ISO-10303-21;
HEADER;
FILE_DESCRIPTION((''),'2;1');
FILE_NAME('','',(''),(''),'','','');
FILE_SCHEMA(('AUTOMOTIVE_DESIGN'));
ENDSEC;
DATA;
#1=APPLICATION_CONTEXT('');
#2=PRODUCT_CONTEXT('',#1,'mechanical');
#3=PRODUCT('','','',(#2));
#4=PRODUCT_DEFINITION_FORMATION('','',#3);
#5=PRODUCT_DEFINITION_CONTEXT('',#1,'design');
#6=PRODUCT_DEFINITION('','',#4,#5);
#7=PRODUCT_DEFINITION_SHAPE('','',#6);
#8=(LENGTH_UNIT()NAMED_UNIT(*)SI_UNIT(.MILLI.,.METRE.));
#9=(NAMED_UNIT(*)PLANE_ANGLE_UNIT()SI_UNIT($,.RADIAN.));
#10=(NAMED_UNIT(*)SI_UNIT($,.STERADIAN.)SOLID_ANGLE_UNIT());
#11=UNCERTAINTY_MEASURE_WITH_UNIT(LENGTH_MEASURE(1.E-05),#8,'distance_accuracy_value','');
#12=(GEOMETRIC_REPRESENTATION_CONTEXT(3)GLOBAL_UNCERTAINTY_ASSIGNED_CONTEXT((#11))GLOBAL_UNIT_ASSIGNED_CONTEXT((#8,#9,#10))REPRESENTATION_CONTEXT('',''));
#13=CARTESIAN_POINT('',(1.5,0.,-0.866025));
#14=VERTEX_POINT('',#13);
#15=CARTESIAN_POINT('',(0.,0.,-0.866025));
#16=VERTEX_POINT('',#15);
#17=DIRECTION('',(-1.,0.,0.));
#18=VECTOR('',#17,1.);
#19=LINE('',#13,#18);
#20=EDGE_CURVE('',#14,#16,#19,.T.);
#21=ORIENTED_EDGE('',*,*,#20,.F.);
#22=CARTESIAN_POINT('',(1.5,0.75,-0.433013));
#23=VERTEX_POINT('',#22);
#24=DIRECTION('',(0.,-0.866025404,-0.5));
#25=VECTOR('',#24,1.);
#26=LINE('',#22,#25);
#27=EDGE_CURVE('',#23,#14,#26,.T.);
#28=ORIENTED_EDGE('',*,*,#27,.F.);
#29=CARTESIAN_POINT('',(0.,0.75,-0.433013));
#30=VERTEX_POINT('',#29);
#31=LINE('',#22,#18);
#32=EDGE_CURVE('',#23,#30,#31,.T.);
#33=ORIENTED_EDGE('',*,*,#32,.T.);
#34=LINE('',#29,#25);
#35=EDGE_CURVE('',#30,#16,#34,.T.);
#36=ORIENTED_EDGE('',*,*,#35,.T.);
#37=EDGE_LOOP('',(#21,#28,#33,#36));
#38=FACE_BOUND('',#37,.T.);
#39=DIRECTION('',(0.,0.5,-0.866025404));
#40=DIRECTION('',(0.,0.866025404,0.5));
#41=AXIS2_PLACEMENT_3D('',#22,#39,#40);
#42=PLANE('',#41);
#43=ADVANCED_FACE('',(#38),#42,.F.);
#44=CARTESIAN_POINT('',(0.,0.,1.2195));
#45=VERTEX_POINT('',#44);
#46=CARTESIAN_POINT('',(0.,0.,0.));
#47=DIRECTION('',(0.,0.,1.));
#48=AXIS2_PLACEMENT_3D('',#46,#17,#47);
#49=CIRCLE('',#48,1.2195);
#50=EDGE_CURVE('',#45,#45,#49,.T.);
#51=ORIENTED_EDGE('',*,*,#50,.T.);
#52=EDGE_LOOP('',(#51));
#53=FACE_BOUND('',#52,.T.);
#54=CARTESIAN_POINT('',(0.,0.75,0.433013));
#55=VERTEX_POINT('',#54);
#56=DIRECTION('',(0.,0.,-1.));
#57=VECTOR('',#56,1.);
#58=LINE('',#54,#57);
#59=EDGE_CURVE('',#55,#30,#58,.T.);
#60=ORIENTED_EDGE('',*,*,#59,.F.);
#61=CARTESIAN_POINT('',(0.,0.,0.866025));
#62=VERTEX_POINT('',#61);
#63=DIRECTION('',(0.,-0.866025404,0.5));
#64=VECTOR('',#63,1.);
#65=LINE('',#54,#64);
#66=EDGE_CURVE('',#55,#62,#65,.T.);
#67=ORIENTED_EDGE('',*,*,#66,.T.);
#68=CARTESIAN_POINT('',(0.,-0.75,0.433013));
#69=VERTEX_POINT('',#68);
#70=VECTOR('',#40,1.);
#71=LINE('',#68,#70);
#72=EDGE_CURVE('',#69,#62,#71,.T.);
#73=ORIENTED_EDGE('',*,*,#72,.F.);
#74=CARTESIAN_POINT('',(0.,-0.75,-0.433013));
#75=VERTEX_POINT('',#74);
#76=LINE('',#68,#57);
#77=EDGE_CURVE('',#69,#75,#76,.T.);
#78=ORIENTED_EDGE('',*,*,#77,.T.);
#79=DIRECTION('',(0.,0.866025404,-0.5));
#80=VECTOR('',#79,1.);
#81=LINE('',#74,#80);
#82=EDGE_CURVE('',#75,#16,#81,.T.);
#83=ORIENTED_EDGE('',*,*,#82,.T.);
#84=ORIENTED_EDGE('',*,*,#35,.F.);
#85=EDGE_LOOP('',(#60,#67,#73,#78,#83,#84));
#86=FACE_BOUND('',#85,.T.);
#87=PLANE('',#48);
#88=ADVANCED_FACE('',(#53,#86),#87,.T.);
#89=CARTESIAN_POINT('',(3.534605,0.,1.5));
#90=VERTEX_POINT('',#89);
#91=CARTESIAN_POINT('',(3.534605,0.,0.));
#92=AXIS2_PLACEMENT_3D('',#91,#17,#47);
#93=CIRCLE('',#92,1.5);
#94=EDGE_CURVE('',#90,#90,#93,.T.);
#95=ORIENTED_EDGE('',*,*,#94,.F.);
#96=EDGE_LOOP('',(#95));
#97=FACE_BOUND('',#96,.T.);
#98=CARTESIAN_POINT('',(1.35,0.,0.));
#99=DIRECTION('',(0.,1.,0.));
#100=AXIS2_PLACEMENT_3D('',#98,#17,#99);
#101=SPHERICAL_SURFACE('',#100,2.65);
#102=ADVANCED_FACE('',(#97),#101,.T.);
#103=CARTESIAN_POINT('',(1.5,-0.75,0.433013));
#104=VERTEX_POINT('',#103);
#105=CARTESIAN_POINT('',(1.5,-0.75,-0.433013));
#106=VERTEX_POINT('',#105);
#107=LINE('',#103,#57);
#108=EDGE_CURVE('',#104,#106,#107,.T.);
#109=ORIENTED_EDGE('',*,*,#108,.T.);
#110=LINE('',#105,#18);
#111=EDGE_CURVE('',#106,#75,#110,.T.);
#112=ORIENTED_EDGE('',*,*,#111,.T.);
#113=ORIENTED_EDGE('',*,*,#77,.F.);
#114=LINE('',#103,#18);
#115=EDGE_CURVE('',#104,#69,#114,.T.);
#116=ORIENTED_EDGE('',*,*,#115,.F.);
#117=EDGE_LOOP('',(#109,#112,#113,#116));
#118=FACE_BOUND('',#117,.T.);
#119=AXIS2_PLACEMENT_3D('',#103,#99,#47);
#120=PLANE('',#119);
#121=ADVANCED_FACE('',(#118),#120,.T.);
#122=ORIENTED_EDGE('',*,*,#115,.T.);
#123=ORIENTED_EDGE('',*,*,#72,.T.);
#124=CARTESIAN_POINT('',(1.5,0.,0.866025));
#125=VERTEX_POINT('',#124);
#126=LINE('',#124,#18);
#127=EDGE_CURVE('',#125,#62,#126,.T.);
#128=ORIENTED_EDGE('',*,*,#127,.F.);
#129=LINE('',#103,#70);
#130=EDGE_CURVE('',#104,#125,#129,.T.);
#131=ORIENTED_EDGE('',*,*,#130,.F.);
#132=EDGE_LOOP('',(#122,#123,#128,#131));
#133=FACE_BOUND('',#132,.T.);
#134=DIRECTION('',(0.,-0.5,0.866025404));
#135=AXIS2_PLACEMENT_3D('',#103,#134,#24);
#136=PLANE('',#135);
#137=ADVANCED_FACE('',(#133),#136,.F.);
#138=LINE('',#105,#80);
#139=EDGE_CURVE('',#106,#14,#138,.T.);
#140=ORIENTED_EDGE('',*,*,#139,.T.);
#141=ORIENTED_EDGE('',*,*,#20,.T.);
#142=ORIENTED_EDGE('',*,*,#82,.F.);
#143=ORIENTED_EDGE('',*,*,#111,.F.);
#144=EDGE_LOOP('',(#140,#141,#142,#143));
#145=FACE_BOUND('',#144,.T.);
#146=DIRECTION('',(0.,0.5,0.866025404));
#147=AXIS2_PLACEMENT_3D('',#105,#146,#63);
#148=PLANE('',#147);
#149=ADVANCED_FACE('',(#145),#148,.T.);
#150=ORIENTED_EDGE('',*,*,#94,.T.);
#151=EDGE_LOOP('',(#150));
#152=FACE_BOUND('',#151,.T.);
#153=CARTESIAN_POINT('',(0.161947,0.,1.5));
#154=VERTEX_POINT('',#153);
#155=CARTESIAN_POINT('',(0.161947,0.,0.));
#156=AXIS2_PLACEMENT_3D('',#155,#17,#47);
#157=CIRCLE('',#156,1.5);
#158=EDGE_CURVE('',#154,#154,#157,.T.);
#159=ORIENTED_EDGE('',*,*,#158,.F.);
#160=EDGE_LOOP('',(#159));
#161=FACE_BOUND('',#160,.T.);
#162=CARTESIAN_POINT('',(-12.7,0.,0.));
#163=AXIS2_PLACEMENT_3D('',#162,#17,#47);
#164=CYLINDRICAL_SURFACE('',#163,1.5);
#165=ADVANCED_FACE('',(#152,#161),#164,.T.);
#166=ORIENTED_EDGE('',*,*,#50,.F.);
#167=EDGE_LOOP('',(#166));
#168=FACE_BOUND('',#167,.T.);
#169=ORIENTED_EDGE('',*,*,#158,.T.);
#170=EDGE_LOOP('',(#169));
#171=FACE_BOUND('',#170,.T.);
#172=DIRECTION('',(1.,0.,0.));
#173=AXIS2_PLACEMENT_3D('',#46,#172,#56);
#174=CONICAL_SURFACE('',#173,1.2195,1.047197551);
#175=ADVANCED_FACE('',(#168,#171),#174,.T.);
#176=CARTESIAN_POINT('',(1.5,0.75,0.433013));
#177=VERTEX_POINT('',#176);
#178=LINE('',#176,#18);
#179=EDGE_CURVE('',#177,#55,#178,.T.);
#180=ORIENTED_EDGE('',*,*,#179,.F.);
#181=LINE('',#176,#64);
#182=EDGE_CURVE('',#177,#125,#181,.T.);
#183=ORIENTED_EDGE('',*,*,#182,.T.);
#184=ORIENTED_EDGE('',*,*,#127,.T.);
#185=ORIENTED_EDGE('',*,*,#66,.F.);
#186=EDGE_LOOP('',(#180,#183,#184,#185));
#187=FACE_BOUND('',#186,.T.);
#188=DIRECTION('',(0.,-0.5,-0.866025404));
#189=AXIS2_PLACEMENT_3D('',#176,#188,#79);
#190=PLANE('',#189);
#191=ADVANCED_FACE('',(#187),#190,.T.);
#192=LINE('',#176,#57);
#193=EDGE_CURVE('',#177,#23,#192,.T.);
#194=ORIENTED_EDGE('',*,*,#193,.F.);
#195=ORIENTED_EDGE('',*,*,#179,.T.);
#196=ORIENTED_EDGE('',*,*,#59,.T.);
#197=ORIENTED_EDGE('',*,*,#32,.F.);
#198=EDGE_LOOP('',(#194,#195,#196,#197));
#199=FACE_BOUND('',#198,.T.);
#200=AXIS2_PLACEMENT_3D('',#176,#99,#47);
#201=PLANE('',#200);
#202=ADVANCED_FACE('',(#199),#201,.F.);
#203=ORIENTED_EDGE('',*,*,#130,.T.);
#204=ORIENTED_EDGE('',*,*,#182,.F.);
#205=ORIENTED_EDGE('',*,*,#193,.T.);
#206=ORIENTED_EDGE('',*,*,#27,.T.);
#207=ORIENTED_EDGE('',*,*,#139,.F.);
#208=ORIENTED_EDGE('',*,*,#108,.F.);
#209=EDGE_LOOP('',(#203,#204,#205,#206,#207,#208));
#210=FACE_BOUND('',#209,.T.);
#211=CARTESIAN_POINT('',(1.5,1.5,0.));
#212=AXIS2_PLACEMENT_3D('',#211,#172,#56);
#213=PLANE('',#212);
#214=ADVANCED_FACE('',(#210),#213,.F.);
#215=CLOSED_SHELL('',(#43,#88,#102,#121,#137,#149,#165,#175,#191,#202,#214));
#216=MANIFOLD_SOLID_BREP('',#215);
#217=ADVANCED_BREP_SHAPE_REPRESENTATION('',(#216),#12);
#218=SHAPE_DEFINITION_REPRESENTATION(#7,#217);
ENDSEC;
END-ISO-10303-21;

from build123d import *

# Parameters (mm, degrees)
HEX_2_DEPTH = 1.5


with BuildPart() as part:
    # BodySke → BaseBody (revolve)
    with BuildSketch(Plane.XY, mode=Mode.PRIVATE) as basebody_sk:
        with BuildLine():
            Line((0, 0), (0, 1.2195))
            Line((0, 1.2195), (0.161946751, 1.5))
            Line((0.161946751, 1.5), (3.534605227, 1.5))
            ThreePointArc((3.534605227, 1.5), (3.880978452, 0.785269427), (4, 0))
            Line((4, 0), (0, 0))
        make_face()
    revolve(basebody_sk.sketch.rotate(Axis((-12.7, 0, 0), (1, 0, 0)), 90), axis=Axis((-12.7, 0, 0), (1, 0, 0)))

    # Sketch2 → Hex 2 (cut)
    with BuildSketch(Plane.ZY):
        Polygon((0.433012702, 0.75), (-0.433012702, 0.75), (-0.866025404, 0), (-0.433012702, -0.75), (0.433012702, -0.75), (0.866025404, 0), align=None)
    extrude(amount=-HEX_2_DEPTH, mode=Mode.SUBTRACT)


solid = part.part
